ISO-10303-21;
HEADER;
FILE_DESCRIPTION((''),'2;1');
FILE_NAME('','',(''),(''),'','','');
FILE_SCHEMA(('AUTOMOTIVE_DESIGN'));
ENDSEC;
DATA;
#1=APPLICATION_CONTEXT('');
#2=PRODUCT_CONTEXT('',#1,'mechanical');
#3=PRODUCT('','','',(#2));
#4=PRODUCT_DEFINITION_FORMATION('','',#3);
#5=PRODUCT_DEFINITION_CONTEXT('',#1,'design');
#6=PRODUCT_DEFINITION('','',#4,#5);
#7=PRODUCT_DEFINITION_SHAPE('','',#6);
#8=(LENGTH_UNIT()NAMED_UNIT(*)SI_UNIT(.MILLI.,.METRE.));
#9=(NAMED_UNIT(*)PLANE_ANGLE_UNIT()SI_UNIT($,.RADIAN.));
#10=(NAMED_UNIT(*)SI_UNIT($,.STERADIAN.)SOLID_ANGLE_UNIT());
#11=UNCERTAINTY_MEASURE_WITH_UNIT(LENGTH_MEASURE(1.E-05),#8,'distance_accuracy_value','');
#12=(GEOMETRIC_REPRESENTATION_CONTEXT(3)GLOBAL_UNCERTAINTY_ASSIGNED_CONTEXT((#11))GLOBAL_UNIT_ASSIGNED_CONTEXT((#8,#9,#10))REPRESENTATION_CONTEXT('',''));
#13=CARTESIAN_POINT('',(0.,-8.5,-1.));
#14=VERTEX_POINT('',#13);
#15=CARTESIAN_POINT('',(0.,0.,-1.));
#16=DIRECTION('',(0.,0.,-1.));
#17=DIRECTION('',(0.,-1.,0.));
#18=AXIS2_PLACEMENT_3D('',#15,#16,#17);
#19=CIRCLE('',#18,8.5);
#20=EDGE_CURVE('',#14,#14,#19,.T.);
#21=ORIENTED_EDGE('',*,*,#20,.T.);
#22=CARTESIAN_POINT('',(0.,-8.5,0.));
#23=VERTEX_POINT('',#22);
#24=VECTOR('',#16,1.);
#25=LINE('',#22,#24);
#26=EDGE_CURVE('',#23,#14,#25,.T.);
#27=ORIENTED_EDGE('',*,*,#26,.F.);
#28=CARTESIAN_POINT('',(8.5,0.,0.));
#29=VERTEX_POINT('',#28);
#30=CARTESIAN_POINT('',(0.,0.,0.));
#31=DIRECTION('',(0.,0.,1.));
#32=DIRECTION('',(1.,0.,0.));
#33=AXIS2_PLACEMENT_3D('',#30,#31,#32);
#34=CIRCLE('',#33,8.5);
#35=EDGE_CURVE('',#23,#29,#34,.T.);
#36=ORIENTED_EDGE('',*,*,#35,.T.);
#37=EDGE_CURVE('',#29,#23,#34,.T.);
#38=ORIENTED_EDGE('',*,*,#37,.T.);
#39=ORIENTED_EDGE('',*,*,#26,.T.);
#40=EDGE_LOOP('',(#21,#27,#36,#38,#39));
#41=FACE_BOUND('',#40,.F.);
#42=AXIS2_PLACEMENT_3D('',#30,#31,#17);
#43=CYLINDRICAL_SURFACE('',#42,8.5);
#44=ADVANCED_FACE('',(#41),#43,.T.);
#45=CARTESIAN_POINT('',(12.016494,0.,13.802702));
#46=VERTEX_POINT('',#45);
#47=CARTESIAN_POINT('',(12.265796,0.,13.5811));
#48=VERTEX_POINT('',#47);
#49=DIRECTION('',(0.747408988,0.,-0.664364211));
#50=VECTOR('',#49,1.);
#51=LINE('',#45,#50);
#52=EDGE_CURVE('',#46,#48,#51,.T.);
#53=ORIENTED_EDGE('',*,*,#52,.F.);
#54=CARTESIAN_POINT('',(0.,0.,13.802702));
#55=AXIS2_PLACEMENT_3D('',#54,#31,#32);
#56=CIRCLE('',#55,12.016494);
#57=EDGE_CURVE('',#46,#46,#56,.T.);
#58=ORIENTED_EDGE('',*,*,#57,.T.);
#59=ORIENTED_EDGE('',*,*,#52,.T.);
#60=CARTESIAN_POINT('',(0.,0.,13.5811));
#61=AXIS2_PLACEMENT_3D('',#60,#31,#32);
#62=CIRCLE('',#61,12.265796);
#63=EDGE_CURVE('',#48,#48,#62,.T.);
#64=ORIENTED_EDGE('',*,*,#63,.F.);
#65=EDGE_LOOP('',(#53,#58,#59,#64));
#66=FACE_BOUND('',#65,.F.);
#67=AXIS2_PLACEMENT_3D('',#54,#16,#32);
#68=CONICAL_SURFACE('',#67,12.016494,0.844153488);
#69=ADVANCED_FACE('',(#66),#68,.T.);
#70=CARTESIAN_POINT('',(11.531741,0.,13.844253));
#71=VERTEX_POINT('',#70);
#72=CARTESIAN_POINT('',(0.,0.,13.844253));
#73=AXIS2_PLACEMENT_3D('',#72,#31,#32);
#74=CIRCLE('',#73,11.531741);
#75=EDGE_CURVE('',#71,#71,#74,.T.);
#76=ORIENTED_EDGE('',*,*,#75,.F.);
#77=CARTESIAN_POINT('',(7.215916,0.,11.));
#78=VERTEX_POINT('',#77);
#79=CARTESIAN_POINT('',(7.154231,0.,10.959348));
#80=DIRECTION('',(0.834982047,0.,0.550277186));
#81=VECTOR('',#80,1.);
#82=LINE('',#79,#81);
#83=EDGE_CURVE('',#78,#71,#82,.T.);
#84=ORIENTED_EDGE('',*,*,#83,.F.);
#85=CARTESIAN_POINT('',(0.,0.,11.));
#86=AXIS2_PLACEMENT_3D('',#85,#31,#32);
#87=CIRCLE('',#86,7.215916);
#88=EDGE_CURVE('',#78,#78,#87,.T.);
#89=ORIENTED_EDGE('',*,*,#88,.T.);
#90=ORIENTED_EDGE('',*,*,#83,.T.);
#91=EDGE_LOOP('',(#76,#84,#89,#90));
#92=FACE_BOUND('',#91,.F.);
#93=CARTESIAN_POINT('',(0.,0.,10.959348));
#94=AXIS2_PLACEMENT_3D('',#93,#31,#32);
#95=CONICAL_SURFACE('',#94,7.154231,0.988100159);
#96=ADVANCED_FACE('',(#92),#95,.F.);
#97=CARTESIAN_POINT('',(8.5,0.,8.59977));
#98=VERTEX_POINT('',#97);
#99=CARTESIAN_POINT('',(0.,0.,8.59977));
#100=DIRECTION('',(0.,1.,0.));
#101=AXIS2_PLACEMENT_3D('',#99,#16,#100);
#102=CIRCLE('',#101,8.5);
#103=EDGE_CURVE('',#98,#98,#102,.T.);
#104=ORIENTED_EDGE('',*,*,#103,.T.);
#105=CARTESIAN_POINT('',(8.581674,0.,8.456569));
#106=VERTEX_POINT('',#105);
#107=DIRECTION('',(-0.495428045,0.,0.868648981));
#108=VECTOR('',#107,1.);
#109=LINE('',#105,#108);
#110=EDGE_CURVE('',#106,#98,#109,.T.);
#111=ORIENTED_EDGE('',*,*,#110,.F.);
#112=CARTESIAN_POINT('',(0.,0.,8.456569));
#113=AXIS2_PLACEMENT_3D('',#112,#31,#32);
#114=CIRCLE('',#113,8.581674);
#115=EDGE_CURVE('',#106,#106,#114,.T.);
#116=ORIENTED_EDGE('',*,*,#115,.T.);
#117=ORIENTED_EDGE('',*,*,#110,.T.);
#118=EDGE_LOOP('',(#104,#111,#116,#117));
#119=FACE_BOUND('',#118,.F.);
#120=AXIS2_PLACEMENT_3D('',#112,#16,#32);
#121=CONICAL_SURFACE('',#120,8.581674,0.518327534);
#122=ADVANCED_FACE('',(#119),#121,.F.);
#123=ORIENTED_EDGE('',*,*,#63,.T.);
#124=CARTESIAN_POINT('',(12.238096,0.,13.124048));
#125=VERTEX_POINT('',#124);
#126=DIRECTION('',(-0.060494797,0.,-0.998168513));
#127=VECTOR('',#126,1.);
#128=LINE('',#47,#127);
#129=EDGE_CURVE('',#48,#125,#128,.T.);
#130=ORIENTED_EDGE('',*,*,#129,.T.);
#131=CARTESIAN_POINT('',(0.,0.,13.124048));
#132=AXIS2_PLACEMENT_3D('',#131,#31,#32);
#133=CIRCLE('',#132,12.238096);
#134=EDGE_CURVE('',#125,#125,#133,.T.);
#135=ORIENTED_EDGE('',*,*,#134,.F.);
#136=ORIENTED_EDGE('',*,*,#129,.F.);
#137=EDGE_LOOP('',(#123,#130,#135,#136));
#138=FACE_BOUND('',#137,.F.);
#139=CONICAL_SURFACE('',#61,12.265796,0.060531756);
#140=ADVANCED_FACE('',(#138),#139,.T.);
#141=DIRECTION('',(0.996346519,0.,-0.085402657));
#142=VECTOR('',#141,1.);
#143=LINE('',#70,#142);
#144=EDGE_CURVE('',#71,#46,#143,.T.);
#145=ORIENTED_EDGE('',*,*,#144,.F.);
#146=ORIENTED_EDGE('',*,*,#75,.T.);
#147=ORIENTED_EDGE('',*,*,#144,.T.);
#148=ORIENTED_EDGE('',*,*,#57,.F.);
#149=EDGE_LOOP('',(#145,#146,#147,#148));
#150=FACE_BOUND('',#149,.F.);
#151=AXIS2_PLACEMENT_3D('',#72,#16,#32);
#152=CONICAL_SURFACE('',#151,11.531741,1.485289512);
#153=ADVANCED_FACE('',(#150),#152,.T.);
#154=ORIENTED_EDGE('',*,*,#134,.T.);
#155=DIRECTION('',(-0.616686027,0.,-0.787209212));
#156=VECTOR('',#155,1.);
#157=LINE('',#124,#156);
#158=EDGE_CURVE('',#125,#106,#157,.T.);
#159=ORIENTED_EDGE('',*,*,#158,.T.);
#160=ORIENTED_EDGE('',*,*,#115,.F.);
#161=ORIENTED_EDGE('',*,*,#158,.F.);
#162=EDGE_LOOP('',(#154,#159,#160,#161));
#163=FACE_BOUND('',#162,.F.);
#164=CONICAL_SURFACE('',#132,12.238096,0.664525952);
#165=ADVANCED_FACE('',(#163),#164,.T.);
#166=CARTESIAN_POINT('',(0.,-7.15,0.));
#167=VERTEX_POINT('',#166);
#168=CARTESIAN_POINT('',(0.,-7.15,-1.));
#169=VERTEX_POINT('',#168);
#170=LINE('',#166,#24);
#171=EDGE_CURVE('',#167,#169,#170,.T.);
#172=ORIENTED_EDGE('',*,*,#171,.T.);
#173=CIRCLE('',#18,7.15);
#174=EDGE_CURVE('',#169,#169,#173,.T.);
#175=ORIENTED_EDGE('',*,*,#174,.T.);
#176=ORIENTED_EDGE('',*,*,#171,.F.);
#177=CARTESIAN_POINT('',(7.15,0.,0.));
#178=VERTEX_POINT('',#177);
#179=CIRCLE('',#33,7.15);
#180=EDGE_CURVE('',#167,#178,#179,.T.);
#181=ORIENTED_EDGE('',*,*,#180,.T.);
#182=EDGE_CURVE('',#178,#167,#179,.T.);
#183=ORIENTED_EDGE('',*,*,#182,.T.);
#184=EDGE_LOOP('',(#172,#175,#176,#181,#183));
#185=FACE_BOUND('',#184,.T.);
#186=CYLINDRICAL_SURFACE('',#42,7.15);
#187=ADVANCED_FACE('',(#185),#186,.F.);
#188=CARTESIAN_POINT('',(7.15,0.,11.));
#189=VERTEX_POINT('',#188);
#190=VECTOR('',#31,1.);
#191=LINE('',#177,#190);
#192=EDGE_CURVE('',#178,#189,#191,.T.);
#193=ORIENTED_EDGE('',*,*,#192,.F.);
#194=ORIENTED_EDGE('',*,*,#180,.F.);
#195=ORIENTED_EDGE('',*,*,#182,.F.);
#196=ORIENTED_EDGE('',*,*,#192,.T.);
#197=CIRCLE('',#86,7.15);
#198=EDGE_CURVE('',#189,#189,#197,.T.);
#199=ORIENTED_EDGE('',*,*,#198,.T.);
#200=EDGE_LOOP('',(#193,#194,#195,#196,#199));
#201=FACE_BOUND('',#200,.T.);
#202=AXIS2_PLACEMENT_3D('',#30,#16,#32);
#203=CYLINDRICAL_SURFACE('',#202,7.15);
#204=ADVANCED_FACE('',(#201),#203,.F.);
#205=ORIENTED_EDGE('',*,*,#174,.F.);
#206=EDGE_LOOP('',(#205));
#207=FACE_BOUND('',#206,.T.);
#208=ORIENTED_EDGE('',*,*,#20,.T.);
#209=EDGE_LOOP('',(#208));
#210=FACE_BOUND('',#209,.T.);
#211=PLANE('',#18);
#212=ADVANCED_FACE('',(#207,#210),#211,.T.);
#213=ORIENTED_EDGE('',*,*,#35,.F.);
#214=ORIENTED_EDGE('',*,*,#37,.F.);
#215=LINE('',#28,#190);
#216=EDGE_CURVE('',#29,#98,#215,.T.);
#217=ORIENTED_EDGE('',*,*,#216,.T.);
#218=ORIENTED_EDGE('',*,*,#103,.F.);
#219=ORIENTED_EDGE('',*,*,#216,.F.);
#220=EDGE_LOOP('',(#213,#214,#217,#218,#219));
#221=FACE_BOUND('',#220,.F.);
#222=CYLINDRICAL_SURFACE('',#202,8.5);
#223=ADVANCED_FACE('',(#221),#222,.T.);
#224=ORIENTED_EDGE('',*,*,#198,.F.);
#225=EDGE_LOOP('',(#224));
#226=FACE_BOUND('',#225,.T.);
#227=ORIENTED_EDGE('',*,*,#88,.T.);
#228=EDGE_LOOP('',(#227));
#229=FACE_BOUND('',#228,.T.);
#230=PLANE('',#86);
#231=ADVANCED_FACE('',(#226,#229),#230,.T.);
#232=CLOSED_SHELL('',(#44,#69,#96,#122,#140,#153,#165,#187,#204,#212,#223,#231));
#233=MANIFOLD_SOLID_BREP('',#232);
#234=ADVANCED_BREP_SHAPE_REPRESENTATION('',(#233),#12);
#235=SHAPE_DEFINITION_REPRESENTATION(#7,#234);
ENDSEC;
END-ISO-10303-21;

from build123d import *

# Parameters (mm, degrees)
SKETCH_R             = 8.5
SKETCH_R_2           = 7.15
PAD_DEPTH            = 11
REVOLUTION_FACE2_R   = 8.5
REVOLUTION_FACE2_R_2 = 7.15
PAD001_DEPTH         = 1


with BuildPart() as part:
    # Sketch → Pad (new body)
    with BuildSketch(Plane.XY):
        Circle(SKETCH_R)
        Circle(SKETCH_R_2, mode=Mode.SUBTRACT)
    extrude(amount=PAD_DEPTH)

    # Sketch001 → Revolution (revolve)
    with BuildSketch(Plane.XZ):
        Polygon((7.154231, 10.959348), (11.531741, 13.844253), (12.016494, 13.802702), (12.265796, 13.5811), (12.238096, 13.124048), (8.581674, 8.456569), align=None)
    revolve(axis=Axis((0, 0, 0), (0, 0, 1)))

    # Revolution Face2 → Pad001 (add)
    with BuildSketch(Plane(origin=(0, 0, 0), x_dir=(0, -1, 0), z_dir=(0, 0, -1))):
        Circle(REVOLUTION_FACE2_R)
        Circle(REVOLUTION_FACE2_R_2, mode=Mode.SUBTRACT)
    extrude(amount=PAD001_DEPTH)


solid = part.part
